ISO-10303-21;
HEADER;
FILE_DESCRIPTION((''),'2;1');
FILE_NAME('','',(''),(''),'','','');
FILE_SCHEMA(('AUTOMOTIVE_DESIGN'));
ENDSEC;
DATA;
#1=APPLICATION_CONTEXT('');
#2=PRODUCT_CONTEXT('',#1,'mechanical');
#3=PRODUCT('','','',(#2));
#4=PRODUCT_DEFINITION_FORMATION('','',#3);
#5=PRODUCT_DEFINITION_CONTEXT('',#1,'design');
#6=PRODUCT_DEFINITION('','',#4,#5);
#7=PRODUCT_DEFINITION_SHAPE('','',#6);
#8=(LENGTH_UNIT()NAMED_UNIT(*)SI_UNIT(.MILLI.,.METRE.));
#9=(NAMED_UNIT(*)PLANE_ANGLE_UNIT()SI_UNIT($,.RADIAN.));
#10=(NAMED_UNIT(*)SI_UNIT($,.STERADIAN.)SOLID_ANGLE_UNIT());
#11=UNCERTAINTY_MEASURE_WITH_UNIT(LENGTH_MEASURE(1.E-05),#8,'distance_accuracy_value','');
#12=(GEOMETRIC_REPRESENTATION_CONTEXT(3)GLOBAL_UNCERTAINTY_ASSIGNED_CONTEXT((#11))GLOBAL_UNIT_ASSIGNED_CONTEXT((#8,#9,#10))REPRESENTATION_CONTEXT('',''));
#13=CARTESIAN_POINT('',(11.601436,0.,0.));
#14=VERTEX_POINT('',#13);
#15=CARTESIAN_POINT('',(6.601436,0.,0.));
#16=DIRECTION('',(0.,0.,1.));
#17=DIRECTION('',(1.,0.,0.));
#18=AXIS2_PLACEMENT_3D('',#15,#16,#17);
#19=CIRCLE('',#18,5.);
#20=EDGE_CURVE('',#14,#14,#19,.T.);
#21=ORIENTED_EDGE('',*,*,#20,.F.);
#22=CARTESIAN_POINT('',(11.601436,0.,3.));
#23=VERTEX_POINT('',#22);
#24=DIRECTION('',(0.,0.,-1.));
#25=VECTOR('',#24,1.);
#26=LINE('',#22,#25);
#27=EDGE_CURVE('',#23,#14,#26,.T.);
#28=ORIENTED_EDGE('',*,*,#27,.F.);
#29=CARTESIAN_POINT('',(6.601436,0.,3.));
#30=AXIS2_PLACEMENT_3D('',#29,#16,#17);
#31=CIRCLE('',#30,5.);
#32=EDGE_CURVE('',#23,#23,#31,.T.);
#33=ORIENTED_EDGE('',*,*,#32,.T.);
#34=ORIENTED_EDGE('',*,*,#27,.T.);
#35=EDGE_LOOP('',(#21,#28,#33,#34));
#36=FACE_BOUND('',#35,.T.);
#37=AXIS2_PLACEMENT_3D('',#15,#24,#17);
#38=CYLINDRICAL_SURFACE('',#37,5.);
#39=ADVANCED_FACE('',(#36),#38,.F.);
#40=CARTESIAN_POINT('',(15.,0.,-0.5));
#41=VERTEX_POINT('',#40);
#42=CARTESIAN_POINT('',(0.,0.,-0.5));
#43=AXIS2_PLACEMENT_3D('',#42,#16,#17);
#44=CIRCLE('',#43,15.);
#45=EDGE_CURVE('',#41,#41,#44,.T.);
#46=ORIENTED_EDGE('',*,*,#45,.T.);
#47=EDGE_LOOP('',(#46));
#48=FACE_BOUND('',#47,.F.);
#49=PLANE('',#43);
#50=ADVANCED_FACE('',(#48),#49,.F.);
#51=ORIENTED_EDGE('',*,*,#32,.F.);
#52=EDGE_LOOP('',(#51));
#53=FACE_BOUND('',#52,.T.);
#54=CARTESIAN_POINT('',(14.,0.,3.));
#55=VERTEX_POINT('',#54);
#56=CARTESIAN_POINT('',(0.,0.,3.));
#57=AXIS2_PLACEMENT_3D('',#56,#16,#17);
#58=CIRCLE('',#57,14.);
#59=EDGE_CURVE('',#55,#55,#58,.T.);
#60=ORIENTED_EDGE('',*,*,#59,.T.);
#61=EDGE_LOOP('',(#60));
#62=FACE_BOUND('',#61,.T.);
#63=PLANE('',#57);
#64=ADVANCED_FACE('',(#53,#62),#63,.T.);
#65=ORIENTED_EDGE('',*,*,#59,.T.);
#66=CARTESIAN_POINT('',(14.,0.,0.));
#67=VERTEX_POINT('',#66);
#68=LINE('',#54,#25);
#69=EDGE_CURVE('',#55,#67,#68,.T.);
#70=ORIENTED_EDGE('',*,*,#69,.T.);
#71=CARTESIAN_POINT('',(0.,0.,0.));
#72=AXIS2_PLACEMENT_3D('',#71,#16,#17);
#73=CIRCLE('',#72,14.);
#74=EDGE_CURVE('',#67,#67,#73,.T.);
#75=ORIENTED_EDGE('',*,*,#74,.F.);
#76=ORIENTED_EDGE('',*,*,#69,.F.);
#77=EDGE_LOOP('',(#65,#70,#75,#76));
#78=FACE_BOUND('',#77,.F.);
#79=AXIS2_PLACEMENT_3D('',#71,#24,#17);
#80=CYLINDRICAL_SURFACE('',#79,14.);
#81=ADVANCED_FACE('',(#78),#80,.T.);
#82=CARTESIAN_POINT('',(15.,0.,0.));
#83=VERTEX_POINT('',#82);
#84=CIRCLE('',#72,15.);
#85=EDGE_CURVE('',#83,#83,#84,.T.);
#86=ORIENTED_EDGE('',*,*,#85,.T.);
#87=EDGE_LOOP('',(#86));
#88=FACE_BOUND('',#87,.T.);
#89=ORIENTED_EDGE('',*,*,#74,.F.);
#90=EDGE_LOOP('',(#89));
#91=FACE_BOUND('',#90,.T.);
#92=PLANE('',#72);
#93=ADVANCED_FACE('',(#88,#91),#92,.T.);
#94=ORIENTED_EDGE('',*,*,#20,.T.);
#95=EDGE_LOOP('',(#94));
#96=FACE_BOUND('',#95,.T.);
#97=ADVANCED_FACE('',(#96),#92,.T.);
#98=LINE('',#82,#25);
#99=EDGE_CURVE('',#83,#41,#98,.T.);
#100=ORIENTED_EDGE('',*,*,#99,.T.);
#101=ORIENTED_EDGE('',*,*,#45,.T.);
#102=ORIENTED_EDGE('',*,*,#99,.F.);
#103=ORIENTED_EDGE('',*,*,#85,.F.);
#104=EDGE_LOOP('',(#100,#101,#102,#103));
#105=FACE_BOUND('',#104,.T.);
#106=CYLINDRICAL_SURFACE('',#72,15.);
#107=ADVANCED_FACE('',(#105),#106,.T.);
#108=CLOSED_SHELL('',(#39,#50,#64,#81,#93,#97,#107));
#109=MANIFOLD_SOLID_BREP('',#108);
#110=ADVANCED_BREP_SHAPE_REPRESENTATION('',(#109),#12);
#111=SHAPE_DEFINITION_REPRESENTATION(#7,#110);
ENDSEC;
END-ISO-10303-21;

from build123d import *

# Parameters (mm, degrees)
F0_R        = 14
F0_R_2      = 5
F1_DEPTH    = 3
F0_R_3      = 15
F1_FACE_R   = 14
F1_FACE_R_2 = 5
F2_DEPTH    = 0.5


with BuildPart() as f1:
    # F0 (on Top) → F1 (new body)
    with BuildSketch(Plane.XY):
        Circle(F0_R)
        with Locations((6.601435598, 0)):
            Circle(F0_R_2, mode=Mode.SUBTRACT)
    extrude(amount=F1_DEPTH)

    # F0 (on Top) + F1_face (on face) → F2 (join)
    with BuildSketch(Plane.XY):
        Circle(F0_R_3)
        Circle(F0_R, mode=Mode.SUBTRACT)
        Circle(F0_R)
        with Locations((6.601435598, 0)):
            Circle(F0_R_2, mode=Mode.SUBTRACT)
        with Locations((6.601435598, 0)):
            Circle(F0_R_2)
    with BuildSketch(Plane(origin=(-0.9651221634, 0, 3), x_dir=(1, 0, 0), z_dir=(0, 0, 1))):
        with Locations((0.9651221634, 0)):
            Circle(F1_FACE_R)
        with Locations((7.5665577614, 0)):
            Circle(F1_FACE_R_2, mode=Mode.SUBTRACT)
    extrude(amount=-F2_DEPTH)


solid = f1.part
